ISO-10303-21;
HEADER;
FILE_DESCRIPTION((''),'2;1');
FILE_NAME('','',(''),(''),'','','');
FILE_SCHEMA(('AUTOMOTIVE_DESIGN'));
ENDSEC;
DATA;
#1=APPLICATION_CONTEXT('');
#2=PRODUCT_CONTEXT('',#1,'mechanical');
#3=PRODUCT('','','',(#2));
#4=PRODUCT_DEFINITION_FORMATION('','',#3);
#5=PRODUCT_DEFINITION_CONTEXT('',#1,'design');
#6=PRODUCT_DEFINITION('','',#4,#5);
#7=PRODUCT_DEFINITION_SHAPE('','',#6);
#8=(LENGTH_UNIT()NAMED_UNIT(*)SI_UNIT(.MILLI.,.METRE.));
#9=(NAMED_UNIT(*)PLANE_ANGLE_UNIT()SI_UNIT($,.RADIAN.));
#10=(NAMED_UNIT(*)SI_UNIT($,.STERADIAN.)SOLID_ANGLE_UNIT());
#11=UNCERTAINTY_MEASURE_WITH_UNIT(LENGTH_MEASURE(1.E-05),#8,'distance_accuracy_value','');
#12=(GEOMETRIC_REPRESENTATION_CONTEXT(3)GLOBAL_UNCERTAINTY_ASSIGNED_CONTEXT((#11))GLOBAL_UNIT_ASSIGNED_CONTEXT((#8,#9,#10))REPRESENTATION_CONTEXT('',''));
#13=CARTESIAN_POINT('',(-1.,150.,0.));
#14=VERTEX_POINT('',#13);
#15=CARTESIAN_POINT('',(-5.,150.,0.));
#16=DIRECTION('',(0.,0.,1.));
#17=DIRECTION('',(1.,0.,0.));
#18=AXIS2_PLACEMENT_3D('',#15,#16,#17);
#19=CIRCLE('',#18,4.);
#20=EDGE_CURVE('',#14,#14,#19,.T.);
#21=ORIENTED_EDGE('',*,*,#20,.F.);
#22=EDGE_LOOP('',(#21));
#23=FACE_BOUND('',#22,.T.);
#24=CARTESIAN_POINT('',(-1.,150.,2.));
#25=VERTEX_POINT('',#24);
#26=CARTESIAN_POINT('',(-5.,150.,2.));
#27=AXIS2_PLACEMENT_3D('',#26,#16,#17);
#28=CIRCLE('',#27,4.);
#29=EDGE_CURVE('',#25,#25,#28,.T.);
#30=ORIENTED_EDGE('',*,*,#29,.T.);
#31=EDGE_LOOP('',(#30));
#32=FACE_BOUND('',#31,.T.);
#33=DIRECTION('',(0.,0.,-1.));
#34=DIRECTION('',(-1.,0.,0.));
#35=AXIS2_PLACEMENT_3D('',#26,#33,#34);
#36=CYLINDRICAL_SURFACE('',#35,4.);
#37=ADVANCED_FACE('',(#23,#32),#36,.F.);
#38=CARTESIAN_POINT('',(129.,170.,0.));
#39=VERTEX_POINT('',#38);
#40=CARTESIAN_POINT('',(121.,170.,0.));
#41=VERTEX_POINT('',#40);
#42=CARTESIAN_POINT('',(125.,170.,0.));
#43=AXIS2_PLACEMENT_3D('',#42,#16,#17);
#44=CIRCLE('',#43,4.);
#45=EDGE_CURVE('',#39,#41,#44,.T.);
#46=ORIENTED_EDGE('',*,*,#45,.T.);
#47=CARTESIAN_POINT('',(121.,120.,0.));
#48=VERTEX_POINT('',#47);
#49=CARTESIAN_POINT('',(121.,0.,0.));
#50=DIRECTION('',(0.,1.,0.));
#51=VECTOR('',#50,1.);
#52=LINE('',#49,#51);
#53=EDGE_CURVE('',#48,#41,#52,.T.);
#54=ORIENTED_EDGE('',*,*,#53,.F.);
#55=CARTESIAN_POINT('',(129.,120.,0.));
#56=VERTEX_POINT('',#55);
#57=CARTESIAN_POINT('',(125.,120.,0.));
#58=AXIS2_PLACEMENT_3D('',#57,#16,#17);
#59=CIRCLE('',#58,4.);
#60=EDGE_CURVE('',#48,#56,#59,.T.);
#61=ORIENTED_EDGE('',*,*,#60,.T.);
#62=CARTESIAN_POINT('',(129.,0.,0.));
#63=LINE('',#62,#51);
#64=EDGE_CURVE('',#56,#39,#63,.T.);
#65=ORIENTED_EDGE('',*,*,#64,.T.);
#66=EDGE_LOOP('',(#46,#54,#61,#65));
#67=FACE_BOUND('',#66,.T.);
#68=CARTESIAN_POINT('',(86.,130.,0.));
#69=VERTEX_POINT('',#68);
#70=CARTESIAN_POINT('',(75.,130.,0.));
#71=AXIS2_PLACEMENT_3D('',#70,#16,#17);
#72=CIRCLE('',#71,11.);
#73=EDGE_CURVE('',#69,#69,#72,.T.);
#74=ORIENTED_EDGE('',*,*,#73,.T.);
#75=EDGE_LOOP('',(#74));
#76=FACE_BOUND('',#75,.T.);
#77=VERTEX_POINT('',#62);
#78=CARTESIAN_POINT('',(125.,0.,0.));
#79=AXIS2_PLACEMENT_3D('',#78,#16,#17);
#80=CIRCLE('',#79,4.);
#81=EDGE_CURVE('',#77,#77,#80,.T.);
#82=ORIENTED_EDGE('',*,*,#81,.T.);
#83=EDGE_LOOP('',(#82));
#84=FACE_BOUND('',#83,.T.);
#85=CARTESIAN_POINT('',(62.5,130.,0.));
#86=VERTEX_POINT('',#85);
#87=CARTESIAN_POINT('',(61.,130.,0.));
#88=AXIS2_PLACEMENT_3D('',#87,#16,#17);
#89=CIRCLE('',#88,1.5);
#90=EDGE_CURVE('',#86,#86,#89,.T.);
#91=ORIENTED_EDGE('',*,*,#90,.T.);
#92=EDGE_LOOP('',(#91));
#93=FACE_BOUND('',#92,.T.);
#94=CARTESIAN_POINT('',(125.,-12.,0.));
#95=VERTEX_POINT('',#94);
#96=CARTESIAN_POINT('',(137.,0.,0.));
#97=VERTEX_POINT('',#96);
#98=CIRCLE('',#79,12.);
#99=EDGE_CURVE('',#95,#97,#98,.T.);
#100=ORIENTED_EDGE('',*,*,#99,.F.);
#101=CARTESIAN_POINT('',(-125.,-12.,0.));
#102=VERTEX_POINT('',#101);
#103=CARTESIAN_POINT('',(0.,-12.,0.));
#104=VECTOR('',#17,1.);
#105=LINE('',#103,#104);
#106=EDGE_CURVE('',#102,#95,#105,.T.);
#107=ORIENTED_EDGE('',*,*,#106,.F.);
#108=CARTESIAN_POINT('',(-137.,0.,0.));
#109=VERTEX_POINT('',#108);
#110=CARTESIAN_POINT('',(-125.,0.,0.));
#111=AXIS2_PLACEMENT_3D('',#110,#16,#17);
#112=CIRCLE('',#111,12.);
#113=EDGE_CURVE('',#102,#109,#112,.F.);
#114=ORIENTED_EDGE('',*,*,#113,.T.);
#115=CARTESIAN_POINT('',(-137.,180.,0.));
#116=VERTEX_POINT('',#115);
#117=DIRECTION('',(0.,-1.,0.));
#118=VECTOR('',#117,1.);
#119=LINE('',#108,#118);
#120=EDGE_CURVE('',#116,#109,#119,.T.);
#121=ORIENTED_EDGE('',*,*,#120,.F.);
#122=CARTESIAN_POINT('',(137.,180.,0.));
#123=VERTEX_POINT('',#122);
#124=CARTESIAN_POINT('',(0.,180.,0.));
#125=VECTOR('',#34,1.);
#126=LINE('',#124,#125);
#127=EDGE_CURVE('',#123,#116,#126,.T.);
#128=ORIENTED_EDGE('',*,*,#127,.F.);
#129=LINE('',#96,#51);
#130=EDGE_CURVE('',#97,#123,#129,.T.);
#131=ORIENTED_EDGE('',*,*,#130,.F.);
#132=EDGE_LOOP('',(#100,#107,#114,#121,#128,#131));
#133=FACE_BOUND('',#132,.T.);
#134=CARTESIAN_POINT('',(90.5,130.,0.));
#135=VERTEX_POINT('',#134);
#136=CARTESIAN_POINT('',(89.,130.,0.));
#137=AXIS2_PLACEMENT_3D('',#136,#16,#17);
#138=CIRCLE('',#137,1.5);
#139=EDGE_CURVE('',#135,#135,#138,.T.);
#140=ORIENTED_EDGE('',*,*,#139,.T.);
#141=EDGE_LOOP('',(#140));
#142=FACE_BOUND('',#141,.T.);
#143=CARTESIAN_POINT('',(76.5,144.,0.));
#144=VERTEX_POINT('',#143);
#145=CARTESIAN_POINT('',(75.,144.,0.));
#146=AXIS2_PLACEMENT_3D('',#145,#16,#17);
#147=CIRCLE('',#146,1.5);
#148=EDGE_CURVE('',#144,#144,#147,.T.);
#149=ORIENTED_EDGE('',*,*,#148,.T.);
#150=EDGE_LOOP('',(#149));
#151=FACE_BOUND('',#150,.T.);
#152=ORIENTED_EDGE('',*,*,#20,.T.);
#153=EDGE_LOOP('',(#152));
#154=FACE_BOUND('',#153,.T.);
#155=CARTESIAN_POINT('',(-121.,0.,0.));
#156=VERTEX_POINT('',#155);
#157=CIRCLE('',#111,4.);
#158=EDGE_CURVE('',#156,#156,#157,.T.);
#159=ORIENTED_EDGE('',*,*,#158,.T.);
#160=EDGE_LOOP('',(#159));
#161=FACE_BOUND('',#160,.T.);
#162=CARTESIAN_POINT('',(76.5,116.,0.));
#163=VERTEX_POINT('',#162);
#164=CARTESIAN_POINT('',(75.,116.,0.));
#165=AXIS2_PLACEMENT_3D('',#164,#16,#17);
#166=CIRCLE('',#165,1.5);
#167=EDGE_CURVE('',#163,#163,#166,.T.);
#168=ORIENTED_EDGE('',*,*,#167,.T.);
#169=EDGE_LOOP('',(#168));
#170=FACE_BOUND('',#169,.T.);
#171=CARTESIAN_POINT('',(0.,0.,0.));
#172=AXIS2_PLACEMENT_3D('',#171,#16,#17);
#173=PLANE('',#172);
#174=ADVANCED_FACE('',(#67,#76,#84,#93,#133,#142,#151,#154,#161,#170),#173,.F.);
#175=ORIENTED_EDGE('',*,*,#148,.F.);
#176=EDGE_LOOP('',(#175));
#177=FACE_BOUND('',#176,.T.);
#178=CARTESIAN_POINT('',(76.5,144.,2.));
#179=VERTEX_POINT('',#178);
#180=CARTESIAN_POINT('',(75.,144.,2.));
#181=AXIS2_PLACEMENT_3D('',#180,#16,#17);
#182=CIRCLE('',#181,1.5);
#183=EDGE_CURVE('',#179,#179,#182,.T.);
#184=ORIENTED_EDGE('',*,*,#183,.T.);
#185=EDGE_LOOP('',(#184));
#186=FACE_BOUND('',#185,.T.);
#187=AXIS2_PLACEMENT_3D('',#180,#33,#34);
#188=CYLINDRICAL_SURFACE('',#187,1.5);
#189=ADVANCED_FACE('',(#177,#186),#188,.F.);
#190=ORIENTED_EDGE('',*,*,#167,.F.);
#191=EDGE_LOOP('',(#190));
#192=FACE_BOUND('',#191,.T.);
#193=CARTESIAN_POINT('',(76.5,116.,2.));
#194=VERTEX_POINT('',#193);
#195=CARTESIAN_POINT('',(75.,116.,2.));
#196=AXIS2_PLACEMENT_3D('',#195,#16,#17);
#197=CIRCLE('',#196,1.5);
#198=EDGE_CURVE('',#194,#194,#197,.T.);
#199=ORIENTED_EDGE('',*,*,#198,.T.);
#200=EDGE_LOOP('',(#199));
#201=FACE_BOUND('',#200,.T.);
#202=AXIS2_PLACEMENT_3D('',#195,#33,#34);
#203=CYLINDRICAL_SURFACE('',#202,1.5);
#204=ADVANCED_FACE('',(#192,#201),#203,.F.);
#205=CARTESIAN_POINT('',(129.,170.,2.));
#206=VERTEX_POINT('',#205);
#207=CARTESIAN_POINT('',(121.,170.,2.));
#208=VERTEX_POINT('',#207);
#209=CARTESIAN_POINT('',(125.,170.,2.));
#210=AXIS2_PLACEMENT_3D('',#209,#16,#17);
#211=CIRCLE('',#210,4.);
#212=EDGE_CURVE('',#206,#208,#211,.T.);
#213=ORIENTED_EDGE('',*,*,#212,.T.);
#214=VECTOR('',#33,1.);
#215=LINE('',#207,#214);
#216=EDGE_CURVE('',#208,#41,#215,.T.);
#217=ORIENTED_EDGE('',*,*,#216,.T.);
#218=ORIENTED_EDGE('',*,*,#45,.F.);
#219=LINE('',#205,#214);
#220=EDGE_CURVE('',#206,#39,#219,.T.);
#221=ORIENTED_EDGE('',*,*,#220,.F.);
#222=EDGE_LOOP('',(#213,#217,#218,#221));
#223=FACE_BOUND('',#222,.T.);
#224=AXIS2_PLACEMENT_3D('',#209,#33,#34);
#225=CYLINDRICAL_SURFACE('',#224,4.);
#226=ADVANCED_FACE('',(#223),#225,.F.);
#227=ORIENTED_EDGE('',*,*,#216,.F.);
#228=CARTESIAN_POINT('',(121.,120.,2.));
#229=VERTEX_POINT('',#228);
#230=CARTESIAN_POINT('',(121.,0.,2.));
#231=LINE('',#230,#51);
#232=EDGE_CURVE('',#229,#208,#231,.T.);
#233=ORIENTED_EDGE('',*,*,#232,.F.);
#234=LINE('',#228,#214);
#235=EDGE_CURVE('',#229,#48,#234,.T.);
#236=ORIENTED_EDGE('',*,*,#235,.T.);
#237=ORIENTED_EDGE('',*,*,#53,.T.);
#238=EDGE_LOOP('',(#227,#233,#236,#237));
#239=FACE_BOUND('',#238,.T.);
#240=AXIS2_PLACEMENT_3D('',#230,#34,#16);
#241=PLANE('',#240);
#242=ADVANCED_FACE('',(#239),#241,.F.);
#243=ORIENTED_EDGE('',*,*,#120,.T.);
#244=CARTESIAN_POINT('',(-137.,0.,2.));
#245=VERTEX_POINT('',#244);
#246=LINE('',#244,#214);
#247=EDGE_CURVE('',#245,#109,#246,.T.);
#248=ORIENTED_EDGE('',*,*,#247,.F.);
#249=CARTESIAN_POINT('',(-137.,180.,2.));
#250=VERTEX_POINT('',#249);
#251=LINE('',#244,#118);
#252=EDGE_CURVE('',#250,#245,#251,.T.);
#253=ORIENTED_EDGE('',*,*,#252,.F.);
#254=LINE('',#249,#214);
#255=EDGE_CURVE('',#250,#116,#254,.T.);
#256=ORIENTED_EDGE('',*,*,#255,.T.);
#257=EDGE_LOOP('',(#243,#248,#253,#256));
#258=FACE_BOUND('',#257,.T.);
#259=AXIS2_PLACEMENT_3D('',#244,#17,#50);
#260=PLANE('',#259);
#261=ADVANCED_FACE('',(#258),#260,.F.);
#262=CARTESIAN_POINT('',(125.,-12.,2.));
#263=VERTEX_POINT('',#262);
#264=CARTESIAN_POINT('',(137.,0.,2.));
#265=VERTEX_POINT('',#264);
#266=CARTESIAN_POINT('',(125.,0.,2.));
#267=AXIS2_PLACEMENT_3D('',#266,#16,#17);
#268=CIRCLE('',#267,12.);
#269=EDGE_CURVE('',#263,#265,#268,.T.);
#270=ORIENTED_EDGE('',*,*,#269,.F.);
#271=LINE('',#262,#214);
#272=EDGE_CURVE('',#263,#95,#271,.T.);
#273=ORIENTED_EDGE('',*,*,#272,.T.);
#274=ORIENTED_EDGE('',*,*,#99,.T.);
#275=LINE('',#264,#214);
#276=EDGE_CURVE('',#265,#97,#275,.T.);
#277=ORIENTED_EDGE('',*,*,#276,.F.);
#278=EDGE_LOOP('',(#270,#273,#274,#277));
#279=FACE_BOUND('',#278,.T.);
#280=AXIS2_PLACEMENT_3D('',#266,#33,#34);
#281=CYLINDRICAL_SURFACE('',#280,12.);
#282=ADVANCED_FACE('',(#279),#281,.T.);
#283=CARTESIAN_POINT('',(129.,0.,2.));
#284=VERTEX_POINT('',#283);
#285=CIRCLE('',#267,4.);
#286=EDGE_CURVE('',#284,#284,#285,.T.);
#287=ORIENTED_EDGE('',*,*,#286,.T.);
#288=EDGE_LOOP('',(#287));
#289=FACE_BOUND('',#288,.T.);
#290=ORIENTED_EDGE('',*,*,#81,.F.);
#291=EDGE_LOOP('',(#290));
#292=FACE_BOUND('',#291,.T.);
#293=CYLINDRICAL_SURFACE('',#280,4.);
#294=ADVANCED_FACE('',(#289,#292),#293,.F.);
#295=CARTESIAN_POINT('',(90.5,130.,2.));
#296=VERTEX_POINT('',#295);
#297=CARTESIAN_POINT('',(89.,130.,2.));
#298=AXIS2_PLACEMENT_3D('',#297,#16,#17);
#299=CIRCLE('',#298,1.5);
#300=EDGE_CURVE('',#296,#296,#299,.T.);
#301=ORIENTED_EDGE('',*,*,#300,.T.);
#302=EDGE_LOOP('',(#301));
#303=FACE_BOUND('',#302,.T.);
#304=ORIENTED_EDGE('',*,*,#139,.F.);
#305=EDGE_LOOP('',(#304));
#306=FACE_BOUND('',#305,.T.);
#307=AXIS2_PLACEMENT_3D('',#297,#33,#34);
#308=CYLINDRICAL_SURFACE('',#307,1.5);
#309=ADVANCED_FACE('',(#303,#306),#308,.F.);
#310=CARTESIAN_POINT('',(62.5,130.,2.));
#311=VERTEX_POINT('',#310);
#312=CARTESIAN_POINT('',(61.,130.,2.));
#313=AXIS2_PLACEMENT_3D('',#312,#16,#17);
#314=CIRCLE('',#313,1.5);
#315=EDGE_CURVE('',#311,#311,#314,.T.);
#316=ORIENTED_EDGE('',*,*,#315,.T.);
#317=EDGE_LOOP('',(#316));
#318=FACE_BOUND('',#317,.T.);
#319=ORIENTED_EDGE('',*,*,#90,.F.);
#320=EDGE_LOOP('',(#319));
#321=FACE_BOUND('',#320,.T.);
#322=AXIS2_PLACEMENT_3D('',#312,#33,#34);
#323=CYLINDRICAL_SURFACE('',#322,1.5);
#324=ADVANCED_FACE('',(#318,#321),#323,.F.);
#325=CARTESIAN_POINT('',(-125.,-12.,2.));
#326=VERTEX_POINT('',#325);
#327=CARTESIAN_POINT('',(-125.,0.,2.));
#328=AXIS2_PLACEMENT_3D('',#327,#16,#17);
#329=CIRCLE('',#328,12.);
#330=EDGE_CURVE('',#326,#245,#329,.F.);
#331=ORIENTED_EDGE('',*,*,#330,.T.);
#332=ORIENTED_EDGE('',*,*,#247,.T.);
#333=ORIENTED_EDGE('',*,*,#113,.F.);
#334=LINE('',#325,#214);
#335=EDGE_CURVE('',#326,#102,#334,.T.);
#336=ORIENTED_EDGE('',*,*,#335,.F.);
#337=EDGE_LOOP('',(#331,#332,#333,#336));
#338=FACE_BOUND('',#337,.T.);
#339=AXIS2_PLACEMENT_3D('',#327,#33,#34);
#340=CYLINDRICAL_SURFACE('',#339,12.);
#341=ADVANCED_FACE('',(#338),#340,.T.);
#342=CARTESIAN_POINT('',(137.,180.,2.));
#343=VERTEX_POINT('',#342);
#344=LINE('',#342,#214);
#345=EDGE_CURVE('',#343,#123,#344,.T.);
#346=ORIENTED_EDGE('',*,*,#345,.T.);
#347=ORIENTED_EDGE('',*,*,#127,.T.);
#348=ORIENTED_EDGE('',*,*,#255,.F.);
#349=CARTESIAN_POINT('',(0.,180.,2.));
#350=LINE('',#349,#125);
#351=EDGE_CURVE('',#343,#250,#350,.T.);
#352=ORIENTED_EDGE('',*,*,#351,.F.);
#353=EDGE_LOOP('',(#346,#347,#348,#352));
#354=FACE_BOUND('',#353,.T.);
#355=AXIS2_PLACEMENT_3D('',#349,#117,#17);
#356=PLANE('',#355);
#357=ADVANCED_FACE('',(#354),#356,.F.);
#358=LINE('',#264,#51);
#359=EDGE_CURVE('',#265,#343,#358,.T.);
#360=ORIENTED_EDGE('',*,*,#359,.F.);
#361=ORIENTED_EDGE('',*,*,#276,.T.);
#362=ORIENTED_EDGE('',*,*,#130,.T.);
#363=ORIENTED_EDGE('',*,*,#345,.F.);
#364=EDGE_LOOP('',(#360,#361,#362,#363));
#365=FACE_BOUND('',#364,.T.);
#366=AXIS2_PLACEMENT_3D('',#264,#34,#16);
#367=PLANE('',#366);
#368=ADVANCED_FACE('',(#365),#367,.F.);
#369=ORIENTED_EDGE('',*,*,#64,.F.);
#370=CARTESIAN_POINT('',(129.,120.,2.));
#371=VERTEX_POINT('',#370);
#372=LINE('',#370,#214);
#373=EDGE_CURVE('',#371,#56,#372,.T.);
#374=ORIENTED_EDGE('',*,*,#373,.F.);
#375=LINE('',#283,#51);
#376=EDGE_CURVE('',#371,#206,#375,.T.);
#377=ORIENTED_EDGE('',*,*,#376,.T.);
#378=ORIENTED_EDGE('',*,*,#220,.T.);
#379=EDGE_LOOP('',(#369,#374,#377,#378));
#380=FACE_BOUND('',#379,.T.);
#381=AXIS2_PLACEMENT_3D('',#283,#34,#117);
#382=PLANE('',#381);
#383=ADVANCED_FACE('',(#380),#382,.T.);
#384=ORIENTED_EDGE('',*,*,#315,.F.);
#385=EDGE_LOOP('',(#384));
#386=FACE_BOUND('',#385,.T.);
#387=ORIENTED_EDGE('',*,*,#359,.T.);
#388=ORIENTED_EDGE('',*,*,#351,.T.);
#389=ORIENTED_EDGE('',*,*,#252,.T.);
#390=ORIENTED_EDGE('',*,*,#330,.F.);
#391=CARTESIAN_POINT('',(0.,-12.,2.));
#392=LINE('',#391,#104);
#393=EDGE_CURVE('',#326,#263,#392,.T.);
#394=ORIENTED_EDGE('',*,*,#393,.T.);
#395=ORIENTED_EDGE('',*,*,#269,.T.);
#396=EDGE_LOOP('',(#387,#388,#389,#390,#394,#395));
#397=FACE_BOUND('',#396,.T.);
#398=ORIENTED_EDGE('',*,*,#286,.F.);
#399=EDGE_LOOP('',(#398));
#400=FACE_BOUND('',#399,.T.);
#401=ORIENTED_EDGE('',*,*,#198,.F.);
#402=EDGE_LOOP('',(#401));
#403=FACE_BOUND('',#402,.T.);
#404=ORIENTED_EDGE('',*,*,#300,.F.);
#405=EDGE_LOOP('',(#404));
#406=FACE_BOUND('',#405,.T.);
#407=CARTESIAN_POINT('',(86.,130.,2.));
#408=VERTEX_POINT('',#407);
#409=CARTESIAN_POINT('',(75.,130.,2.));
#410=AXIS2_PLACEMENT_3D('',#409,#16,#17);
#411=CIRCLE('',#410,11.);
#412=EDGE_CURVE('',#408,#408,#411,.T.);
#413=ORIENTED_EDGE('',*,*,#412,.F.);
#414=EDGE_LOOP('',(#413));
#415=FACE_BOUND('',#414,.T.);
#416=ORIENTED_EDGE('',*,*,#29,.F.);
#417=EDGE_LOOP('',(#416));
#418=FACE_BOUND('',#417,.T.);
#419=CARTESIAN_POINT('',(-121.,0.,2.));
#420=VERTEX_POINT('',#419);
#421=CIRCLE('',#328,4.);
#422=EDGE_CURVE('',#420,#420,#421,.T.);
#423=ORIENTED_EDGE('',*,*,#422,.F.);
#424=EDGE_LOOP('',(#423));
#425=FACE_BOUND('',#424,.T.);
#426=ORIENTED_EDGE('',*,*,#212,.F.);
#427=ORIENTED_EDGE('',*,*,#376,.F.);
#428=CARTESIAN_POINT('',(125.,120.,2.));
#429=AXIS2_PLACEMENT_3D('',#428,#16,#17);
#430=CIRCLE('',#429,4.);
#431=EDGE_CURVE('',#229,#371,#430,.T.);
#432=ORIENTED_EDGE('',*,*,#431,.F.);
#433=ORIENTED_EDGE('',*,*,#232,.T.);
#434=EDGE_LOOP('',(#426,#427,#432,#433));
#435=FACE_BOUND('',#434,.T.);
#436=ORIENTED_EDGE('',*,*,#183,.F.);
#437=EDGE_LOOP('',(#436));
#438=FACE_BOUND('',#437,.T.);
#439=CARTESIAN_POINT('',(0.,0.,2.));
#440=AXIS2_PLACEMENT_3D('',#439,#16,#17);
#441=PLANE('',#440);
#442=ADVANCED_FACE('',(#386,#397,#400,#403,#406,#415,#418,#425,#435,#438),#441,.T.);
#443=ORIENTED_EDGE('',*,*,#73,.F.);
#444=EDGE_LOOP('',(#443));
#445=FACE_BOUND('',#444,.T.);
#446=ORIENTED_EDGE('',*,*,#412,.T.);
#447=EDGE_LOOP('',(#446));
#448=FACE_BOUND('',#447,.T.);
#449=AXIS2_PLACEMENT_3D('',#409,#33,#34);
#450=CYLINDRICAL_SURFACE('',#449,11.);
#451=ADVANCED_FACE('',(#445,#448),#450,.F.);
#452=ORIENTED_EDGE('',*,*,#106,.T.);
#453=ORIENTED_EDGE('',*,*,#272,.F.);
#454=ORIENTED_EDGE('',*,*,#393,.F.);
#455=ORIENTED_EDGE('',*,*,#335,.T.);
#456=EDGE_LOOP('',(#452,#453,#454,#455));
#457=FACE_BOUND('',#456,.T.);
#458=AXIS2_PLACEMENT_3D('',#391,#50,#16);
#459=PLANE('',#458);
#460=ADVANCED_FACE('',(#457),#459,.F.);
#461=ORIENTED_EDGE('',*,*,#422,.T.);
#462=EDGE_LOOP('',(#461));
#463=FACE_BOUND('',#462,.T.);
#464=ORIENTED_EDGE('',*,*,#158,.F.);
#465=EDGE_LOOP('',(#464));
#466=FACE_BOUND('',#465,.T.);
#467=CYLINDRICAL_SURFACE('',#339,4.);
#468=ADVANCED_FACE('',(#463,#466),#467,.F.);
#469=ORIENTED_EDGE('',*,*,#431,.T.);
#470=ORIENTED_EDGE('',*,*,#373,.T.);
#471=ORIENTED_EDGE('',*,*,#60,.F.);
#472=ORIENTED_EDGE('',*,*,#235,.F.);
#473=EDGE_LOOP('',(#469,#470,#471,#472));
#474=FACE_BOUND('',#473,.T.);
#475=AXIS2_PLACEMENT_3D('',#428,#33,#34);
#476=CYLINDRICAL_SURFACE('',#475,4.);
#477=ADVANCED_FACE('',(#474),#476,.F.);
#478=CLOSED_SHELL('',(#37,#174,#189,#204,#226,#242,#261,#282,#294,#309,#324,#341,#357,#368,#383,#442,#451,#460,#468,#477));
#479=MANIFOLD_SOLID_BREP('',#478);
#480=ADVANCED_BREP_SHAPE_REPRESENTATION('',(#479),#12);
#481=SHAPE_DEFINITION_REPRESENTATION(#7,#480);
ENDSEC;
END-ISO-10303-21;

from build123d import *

# Parameters (mm, degrees)
SKETCH1_R           = 4
SKETCH1_R_2         = 1.5
SKETCH1_R_3         = 11
BOSS_EXTRUDE1_DEPTH = 2


with BuildPart() as part:
    # Sketch1 → Boss-Extrude1 (new body)
    with BuildSketch(Plane.XY):
        with BuildLine():
            ThreePointArc((-137, 0), (-133.485281374, -8.485281374), (-125, -12))
            Line((-125, -12), (125, -12))
            ThreePointArc((125, -12), (133.485281374, -8.485281374), (137, 0))
            Line((137, 0), (137, 180))
            Line((137, 180), (-53.998245329, 180))
            Line((-53.998245329, 180), (-137, 180))
            Line((-137, 180), (-137, 0))
        make_face()
        with Locations((-125, 0)):
            Circle(SKETCH1_R, mode=Mode.SUBTRACT)
        with Locations((125, 0)):
            Circle(SKETCH1_R, mode=Mode.SUBTRACT)
        with Locations((-5, 150)):
            Circle(SKETCH1_R, mode=Mode.SUBTRACT)
        with Locations((61, 130)):
            Circle(SKETCH1_R_2, mode=Mode.SUBTRACT)
        with Locations((75, 116)):
            Circle(SKETCH1_R_2, mode=Mode.SUBTRACT)
        with Locations((75, 130)):
            Circle(SKETCH1_R_3, mode=Mode.SUBTRACT)
        with Locations((89, 130)):
            Circle(SKETCH1_R_2, mode=Mode.SUBTRACT)
        with Locations((75, 144)):
            Circle(SKETCH1_R_2, mode=Mode.SUBTRACT)
        with BuildLine():
            ThreePointArc((129, 120), (125, 116), (121, 120))
            Line((121, 120), (121, 170))
            ThreePointArc((121, 170), (125, 174), (129, 170))
            Line((129, 170), (129, 120))
        make_face(mode=Mode.SUBTRACT)
    extrude(amount=BOSS_EXTRUDE1_DEPTH)


solid = part.part
